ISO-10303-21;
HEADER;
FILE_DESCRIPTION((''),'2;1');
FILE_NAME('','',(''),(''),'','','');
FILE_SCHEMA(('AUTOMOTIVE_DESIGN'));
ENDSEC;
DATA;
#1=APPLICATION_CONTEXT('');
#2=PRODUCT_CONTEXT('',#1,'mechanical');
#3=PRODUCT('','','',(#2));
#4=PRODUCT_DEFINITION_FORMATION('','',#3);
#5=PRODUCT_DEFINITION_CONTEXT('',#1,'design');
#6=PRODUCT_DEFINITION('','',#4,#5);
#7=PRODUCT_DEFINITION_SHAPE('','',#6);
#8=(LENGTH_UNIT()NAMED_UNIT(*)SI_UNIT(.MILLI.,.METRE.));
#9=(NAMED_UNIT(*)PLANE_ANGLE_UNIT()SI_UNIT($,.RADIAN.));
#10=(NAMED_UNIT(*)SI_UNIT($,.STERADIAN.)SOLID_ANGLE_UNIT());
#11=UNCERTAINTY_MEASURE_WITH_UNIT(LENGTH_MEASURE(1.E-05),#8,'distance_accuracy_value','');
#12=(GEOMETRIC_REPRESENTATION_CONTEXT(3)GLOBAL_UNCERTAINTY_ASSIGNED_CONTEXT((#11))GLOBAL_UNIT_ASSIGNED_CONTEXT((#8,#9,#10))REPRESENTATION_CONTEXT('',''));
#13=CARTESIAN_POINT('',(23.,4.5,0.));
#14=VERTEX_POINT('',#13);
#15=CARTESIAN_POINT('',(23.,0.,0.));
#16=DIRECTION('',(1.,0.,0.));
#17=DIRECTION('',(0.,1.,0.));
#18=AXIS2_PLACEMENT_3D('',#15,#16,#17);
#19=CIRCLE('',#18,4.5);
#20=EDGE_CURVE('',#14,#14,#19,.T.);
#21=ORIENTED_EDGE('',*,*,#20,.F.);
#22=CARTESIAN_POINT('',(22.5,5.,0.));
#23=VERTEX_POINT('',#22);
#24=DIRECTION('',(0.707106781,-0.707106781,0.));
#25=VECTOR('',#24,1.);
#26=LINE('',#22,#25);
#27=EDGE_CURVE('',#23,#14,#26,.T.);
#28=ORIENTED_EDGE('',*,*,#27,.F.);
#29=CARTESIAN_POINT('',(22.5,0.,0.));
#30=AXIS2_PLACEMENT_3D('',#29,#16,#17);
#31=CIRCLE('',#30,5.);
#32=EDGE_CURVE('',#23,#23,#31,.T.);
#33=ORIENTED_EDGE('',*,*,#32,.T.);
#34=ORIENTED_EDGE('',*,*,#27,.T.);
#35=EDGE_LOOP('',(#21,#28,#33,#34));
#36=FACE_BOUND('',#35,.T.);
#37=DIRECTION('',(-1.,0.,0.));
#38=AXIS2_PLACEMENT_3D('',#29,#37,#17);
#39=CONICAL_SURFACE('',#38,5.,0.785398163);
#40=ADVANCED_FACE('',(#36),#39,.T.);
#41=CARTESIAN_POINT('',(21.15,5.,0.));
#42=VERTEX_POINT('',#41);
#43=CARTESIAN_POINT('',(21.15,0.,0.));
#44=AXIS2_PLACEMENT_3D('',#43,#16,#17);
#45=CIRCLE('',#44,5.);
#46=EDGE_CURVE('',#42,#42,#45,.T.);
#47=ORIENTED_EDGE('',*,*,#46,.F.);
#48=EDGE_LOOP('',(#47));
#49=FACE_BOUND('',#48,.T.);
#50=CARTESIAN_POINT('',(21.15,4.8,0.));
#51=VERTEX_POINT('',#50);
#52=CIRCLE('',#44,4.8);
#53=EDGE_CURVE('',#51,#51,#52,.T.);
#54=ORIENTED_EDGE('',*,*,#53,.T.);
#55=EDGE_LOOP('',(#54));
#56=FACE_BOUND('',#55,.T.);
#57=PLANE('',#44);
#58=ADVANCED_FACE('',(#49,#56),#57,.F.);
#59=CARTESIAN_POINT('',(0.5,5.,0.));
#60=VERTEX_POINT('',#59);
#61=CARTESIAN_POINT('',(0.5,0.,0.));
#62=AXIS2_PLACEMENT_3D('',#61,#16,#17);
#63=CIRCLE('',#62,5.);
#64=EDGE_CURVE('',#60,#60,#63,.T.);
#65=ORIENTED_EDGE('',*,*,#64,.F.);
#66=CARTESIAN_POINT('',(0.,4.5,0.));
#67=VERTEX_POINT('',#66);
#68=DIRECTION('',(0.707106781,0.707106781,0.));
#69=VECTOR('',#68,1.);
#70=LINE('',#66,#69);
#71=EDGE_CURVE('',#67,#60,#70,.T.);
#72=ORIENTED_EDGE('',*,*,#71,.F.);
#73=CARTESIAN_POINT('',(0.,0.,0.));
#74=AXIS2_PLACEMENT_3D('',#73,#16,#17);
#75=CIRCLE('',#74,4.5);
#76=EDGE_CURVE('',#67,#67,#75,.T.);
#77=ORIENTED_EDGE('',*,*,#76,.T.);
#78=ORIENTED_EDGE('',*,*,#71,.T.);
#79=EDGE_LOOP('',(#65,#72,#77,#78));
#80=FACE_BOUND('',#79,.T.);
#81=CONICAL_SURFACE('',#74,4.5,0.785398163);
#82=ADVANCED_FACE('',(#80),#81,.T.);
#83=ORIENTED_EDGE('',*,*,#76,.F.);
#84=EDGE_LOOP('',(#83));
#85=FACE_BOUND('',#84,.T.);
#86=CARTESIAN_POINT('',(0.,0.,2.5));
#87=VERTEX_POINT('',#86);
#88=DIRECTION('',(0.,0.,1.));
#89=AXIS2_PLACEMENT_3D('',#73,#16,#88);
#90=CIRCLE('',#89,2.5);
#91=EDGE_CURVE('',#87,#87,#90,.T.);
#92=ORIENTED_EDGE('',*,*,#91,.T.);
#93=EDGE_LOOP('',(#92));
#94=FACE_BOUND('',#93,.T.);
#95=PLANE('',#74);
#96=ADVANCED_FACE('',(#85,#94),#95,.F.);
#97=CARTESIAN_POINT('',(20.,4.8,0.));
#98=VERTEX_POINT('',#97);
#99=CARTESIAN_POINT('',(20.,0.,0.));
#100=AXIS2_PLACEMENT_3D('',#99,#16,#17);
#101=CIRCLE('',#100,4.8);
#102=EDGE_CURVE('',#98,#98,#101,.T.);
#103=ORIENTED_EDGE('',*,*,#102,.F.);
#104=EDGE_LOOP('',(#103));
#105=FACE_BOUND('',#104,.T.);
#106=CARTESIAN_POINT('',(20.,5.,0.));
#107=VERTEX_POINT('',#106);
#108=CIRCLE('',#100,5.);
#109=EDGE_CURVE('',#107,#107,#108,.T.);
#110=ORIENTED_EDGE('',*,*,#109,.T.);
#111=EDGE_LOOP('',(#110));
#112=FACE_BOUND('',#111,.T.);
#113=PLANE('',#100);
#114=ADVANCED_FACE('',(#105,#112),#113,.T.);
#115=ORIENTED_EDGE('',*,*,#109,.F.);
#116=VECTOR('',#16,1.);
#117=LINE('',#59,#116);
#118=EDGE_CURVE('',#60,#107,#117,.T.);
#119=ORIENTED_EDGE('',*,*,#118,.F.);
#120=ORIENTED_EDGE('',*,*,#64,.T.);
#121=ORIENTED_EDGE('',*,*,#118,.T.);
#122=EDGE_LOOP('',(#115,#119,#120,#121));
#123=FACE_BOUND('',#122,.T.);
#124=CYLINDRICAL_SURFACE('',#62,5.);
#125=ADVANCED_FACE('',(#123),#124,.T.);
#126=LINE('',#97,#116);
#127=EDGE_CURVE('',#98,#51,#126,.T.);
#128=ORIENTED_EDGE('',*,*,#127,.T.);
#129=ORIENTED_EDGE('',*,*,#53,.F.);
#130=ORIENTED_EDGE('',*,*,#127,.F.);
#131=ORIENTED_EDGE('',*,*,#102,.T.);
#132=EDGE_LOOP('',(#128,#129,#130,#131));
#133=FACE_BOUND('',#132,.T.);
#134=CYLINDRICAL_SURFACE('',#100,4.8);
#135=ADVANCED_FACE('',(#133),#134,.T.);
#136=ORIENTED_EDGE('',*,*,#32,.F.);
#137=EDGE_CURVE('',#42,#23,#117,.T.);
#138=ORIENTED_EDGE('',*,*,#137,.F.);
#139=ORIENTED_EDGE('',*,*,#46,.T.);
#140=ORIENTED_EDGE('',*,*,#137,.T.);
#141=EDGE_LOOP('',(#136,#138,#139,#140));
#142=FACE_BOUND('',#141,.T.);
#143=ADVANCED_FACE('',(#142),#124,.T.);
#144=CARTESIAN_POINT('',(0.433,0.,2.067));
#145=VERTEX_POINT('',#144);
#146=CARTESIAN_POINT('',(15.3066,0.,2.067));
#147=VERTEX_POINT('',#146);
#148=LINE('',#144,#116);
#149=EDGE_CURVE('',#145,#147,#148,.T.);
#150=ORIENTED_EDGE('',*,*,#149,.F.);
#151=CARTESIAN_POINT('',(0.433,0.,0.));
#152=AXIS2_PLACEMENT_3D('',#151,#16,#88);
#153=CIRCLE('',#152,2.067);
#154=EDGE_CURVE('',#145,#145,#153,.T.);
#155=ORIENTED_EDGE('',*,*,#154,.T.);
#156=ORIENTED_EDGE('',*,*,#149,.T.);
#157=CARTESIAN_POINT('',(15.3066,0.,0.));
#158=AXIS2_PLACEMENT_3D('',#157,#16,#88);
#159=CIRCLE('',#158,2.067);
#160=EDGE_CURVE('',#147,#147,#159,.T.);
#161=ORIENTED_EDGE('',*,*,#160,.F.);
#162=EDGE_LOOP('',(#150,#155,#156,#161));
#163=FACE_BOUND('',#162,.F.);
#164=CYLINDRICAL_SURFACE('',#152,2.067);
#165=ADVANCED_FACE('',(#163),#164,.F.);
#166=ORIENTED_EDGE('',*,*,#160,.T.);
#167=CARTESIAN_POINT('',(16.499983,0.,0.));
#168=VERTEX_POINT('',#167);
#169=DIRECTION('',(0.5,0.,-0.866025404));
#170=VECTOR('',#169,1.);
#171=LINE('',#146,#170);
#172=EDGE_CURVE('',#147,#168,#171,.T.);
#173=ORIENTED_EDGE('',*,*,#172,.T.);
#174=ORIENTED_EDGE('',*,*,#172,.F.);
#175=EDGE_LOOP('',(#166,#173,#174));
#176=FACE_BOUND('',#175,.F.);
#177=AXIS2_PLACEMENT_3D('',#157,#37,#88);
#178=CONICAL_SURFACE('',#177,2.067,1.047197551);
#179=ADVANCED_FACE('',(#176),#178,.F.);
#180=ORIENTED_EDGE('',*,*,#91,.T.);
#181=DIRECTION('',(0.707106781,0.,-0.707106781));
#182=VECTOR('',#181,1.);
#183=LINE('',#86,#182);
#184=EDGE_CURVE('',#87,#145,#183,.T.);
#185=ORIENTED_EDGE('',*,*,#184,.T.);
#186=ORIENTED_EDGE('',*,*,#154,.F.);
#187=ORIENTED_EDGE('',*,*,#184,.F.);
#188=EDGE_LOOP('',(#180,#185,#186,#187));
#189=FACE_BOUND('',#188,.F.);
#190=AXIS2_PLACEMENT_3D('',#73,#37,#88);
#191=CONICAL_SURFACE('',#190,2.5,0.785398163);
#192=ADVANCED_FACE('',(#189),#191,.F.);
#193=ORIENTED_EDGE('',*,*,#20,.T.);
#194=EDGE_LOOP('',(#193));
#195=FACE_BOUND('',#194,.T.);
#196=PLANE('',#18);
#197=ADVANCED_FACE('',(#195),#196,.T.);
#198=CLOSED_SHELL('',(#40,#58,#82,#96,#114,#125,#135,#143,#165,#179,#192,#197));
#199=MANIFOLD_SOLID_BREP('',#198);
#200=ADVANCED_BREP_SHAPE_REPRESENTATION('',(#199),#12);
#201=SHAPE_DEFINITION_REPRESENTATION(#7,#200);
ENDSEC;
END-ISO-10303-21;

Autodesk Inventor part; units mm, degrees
ref_plane "YZ Plane" through (0, 0, 0) normal (1, 0, 0) x (0, 1, 0)
ref_plane "XZ Plane" through (0, 0, 0) normal (0, 1, 0) x (-1, 0, 0)
ref_plane "XY Plane" through (0, 0, 0) normal (0, 0, 1) x (1, 0, 0)
sketch "Sketch_1" plane through (0, 0, 0) normal (0, 0, 1) x (1, 0, 0)
  line L0 (23, 0) -> (0, 0)
  line L1 (0, 0) -> (0, 4.5)
  line L2 (0, 4.5) -> (0.5, 5)
  line L3 (0.5, 5) -> (22.5, 5)
  line L4 (22.5, 5) -> (23, 4.5)
  line L5 (23, 4.5) -> (23, 0)
  line L6 (23, 0) -> (0, 0)
revolve "Revolution1" add sketch "Sketch_1" angle 360 about axis through (23, 0, 0) along (1, 0, 0)
sketch "Sketch2" plane through (0, 0, 0) normal (-1, 0, 0) x (0, 0, 1)
  point P0 (0, 0)
hole "Hole1" at (0, 0, 0) direction (1, 0, 0) diameter 4.134 depth 15.3066 tip angle 120 countersink diameter 5 countersink angle 90 thread size "M5x0.8" class "6H" standard "ISO Metric profile"
sketch "Sketch_8" plane through (0, 0, 0) normal (0, 0, 1) x (1, 0, 0)
  line L0 (23, 0) -> (-23, 0)
  line L1 (20, 14.8) -> (20, 4.8)
  line L2 (20, 4.8) -> (21.15, 4.8)
  line L3 (21.15, 4.8) -> (21.15, 14.8)
  line L4 (21.15, 14.8) -> (20, 14.8)
revolve "Revolution2" cut sketch "Sketch_8" angle 360 about axis through (23, 0, 0) along (1, 0, 0)
properties part number "FSSFJBF-D10-L20-M5-U3"
